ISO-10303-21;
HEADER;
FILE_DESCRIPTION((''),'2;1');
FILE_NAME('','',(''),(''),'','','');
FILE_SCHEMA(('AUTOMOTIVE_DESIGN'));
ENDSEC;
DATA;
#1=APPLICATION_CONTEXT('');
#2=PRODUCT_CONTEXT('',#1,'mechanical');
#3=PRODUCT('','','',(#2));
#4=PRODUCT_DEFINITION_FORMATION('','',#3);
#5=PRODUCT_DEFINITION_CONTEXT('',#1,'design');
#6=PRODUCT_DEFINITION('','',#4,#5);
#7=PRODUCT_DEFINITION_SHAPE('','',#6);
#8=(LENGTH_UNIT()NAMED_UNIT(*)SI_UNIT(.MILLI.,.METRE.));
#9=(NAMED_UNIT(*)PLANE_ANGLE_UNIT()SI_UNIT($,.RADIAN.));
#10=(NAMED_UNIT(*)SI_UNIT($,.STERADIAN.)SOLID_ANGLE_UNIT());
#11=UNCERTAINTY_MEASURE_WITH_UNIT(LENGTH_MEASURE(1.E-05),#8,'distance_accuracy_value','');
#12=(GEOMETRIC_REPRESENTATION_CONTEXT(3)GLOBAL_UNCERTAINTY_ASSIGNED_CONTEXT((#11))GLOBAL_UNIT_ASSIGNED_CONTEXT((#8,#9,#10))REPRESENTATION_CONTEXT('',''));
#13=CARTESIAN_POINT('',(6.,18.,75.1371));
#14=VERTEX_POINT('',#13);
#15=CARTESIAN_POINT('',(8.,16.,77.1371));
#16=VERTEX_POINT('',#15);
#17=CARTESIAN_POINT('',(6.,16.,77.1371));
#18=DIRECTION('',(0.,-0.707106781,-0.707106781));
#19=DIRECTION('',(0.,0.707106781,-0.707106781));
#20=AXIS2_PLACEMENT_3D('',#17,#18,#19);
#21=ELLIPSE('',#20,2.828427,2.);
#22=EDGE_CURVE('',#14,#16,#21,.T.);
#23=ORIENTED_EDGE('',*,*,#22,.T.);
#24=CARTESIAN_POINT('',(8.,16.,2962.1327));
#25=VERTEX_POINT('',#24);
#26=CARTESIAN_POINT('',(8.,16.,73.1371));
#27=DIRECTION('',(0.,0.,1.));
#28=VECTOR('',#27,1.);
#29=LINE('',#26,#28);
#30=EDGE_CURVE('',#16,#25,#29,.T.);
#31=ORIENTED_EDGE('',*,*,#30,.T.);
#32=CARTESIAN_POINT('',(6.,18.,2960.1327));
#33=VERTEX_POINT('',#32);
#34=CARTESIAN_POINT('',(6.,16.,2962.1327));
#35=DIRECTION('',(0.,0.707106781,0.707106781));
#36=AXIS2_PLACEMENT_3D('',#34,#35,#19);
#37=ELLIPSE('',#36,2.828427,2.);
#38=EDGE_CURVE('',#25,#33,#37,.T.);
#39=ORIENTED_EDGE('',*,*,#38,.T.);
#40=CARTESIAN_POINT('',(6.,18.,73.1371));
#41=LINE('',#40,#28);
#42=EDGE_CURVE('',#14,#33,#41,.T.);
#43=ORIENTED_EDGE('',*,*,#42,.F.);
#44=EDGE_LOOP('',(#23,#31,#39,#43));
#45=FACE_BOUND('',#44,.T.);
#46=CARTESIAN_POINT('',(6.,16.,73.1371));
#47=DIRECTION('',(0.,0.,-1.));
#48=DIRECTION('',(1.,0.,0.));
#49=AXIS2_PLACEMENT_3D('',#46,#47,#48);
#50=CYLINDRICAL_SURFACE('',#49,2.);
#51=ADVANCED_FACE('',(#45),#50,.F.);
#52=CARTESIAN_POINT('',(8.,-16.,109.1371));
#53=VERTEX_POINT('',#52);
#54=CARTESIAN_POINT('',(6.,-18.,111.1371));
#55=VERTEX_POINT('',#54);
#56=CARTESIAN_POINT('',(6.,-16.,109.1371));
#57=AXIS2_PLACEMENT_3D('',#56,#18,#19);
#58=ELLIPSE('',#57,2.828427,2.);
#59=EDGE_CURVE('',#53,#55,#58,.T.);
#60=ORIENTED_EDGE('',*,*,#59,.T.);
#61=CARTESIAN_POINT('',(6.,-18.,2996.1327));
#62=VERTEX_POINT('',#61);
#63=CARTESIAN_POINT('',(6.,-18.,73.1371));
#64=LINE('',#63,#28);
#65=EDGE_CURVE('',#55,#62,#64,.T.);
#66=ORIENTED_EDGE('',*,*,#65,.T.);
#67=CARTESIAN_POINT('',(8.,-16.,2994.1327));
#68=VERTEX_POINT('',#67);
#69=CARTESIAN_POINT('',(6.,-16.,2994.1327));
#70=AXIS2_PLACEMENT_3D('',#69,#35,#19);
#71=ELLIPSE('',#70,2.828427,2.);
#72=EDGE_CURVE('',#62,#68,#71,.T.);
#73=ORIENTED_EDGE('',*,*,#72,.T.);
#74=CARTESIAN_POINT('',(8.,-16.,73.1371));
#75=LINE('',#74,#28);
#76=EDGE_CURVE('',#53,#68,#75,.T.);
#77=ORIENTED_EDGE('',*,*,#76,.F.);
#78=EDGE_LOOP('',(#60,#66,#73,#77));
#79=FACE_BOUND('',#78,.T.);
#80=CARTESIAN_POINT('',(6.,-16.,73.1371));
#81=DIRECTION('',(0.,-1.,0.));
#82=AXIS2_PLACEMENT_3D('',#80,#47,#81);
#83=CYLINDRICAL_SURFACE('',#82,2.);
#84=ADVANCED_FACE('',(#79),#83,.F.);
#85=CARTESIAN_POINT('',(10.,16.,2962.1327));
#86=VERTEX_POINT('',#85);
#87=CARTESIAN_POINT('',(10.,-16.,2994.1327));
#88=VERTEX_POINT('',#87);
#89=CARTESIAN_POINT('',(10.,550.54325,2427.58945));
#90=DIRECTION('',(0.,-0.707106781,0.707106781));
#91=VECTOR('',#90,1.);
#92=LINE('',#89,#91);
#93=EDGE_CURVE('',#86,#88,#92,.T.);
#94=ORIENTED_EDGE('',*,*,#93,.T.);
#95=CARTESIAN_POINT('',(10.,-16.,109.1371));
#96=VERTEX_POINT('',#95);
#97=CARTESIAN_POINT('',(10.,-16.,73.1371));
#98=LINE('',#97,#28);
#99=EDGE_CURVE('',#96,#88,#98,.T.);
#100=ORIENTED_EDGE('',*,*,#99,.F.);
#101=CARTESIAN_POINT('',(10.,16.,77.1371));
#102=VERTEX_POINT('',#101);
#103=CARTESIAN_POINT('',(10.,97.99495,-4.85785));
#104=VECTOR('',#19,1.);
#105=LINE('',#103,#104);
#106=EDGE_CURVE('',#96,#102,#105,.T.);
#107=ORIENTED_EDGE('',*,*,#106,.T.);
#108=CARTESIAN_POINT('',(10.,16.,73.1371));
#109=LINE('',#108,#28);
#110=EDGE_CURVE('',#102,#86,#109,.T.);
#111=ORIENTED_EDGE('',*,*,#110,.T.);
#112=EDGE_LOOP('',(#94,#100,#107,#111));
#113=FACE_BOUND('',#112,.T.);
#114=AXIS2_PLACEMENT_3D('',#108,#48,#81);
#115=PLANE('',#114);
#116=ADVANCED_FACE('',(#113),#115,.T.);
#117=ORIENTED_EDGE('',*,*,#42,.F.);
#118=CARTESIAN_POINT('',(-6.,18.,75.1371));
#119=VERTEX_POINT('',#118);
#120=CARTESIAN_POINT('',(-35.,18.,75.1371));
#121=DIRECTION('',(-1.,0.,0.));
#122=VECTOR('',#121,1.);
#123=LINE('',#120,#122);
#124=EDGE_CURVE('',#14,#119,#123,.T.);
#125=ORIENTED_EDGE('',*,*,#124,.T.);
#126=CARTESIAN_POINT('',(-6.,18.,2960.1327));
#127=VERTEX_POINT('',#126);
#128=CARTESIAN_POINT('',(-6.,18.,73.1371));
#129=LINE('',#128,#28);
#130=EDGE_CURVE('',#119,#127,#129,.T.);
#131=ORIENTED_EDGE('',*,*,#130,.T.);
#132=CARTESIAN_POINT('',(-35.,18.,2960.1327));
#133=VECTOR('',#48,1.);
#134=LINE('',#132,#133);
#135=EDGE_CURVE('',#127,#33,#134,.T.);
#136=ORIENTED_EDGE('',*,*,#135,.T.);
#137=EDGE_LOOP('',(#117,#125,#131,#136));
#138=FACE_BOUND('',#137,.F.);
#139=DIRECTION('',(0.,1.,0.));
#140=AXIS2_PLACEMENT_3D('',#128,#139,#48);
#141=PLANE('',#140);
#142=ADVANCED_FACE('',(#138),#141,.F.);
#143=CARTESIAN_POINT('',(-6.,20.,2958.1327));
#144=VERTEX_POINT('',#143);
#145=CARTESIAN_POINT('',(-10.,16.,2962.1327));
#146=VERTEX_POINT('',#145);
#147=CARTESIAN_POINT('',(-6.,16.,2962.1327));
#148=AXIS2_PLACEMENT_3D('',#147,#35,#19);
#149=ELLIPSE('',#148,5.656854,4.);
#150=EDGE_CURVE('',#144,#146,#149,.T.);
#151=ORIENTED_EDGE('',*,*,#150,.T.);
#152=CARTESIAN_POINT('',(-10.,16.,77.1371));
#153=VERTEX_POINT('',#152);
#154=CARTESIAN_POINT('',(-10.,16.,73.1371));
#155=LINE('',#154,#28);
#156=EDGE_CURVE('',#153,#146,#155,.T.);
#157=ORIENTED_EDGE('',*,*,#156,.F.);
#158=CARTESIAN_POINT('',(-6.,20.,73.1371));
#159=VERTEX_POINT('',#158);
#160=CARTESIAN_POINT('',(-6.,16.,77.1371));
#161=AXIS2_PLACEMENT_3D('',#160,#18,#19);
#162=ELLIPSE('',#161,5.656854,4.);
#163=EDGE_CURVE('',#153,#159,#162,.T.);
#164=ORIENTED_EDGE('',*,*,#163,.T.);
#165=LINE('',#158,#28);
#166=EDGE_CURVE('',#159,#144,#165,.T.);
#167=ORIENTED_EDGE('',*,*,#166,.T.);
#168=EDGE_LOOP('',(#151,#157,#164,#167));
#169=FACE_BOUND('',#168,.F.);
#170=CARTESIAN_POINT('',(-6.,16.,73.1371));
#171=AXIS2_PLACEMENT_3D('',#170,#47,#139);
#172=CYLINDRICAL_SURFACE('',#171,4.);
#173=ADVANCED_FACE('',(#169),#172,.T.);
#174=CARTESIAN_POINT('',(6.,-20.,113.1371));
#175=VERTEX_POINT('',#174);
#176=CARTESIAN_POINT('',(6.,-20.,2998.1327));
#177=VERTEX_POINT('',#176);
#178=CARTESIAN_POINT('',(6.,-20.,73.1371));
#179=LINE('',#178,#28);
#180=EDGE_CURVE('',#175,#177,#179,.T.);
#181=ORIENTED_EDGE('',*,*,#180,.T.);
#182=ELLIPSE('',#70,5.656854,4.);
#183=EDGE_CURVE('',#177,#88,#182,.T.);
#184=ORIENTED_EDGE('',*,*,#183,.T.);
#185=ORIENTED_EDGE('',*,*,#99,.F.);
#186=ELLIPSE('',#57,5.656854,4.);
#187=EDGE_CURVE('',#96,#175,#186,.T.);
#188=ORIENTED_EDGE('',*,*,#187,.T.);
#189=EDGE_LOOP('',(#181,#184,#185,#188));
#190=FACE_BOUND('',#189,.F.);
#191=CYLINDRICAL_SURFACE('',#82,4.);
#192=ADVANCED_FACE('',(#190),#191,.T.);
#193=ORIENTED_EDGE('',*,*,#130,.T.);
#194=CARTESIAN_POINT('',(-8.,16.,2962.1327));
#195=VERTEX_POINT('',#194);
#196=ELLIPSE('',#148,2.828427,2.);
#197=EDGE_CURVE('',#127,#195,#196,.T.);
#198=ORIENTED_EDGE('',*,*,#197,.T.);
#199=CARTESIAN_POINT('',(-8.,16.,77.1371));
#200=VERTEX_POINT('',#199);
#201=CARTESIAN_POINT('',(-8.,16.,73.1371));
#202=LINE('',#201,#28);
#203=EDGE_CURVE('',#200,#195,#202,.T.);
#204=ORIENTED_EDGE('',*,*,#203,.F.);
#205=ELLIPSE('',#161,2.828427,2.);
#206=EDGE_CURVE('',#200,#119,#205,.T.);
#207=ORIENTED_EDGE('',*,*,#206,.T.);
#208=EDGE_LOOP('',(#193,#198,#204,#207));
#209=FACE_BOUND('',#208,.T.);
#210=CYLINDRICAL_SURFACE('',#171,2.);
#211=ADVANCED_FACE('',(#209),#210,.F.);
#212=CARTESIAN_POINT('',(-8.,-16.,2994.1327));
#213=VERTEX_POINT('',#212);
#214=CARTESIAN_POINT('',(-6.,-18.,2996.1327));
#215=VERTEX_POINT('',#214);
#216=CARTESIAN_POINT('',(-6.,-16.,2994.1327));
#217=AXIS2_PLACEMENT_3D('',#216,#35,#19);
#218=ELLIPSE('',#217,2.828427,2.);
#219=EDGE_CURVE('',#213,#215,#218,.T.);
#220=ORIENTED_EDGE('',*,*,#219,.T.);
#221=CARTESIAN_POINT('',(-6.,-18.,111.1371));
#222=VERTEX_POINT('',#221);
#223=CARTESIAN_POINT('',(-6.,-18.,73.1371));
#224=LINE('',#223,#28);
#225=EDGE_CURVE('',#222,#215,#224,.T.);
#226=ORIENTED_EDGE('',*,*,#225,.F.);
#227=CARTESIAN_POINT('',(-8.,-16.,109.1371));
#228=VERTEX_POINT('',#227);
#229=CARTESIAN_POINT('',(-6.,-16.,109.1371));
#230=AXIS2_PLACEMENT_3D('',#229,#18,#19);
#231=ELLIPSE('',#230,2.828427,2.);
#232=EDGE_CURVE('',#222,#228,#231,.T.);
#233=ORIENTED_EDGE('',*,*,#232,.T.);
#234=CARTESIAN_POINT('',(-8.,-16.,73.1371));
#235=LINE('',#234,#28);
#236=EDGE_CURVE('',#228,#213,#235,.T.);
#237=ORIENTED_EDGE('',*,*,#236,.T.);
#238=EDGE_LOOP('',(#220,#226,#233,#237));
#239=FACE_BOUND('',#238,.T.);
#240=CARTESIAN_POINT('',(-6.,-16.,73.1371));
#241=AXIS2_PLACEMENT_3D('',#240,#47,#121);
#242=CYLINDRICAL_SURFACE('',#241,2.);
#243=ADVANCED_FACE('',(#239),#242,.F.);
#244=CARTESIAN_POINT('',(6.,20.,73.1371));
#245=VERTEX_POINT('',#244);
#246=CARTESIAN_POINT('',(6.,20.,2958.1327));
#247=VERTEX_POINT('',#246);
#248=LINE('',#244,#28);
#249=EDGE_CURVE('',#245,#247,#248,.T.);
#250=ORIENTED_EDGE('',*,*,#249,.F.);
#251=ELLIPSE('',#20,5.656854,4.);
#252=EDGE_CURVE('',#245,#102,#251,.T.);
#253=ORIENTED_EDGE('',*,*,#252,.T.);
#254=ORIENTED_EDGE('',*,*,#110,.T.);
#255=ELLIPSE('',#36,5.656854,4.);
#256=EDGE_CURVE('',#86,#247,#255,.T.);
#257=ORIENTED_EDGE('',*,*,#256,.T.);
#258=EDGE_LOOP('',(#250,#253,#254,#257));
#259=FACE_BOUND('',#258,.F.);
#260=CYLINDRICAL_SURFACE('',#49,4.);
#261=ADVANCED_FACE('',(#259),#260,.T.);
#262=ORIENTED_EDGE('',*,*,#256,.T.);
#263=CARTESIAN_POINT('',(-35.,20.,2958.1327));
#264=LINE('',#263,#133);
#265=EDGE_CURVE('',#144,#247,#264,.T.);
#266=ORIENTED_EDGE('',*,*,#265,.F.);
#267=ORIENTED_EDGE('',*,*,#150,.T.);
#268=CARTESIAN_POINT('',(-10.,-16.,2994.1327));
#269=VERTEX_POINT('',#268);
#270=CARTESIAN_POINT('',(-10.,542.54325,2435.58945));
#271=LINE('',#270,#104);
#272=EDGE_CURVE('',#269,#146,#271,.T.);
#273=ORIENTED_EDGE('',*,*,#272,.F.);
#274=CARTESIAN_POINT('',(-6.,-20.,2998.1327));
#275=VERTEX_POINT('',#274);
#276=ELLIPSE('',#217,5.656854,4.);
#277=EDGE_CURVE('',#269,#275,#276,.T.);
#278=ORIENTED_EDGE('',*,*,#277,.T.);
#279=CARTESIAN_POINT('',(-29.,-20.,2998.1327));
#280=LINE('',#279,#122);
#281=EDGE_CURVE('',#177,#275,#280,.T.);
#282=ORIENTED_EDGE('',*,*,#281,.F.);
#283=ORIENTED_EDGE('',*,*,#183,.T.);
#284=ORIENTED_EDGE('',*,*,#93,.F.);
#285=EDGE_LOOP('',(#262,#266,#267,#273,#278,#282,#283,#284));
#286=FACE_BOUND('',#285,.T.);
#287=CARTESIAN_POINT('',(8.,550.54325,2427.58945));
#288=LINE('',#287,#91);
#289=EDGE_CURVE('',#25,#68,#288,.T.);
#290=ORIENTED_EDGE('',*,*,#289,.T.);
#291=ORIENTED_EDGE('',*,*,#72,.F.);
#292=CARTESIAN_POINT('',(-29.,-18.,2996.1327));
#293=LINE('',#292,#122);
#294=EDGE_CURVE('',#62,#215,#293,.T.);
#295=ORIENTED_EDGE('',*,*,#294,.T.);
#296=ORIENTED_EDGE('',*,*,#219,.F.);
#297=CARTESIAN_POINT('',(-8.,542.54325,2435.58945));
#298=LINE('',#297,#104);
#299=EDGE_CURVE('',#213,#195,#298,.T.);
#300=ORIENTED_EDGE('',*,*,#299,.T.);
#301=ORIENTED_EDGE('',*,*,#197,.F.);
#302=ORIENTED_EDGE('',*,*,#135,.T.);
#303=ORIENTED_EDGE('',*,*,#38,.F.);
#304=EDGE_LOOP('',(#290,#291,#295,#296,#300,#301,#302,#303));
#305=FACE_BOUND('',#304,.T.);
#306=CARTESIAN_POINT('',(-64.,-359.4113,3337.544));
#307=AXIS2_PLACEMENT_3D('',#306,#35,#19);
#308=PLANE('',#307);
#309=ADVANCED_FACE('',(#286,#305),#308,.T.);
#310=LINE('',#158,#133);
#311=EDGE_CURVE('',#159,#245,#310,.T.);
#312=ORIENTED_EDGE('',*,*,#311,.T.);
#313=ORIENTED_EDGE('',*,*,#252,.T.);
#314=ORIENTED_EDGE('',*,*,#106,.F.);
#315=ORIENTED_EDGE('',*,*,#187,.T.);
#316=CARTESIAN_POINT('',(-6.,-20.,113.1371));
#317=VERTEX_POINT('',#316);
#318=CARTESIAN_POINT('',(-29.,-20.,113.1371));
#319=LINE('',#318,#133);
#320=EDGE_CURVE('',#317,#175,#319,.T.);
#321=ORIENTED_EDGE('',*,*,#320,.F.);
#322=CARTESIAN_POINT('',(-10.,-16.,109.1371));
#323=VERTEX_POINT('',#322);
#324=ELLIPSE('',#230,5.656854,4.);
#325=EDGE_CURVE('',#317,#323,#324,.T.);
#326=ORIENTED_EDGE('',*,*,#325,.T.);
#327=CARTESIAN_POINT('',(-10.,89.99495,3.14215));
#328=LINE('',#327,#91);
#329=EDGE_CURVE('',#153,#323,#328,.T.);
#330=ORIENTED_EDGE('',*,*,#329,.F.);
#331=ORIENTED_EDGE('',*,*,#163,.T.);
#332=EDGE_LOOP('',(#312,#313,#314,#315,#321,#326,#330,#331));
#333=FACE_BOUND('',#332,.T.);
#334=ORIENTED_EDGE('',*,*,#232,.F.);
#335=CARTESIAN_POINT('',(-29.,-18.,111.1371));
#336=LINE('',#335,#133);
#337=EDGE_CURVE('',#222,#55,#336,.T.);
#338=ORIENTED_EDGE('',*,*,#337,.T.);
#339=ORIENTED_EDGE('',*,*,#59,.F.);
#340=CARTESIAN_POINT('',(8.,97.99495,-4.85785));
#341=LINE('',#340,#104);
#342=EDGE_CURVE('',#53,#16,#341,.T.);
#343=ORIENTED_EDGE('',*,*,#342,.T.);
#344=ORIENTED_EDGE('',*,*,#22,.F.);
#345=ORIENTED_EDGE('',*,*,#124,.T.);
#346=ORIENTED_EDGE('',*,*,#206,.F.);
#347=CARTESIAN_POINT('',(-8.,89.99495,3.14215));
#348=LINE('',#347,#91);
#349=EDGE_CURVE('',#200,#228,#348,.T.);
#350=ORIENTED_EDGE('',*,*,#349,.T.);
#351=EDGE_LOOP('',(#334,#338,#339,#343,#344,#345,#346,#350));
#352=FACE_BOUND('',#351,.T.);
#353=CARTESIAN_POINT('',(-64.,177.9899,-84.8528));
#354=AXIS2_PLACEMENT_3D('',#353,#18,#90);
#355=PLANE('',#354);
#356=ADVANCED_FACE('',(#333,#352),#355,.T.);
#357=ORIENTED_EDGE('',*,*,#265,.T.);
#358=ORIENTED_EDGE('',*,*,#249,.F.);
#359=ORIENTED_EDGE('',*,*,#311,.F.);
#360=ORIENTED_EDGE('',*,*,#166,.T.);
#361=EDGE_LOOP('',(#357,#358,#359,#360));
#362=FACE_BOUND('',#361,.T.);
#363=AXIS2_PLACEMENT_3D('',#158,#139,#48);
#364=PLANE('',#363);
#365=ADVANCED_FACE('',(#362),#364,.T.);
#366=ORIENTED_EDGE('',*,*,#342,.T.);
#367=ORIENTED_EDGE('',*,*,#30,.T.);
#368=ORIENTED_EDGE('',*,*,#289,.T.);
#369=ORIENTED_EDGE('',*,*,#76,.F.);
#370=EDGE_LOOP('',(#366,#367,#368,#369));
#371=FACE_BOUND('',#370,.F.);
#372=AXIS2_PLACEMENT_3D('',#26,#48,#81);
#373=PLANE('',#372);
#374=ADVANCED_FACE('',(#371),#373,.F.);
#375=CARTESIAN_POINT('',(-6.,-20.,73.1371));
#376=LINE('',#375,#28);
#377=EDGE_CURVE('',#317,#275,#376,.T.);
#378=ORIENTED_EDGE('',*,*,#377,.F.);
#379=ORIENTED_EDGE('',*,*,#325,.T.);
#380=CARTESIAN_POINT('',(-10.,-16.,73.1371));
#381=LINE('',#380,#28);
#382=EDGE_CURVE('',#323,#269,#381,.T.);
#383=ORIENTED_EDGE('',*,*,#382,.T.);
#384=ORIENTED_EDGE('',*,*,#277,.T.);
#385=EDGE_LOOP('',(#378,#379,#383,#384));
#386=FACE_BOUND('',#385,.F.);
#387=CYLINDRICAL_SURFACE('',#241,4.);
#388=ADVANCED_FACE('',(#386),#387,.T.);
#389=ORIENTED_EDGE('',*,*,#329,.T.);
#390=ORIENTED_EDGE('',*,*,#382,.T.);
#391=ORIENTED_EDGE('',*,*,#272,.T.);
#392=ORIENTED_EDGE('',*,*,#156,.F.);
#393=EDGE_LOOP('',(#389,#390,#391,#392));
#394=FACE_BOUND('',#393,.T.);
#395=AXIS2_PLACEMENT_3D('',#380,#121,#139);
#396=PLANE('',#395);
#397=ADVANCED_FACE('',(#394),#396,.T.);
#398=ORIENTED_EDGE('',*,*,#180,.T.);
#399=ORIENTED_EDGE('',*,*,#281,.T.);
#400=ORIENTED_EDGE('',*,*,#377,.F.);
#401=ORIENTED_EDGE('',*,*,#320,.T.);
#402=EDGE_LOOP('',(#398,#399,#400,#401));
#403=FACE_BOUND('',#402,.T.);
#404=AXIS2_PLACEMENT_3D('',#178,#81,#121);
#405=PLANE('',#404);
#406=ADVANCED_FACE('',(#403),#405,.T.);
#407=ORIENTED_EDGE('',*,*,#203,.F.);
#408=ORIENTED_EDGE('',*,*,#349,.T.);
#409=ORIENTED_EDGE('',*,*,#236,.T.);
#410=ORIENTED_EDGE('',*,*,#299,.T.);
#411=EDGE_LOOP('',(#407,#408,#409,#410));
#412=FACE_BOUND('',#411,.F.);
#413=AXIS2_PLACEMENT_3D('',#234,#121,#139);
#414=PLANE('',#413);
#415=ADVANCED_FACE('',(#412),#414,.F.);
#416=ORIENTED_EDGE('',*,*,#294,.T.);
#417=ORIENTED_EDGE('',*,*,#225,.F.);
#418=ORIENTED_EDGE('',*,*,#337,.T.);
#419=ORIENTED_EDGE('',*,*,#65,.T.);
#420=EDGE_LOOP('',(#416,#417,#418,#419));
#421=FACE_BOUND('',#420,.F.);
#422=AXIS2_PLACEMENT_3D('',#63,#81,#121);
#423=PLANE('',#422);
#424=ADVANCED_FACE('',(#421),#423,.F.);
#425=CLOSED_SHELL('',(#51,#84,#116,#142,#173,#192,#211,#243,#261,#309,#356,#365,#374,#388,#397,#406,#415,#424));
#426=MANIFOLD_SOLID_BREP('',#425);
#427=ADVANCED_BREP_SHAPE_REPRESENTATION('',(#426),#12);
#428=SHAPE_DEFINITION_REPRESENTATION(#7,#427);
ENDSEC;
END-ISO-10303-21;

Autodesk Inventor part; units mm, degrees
ref_plane "Start Plane" through (0, 0, 73.1371) normal (0, 0, 1) x (1, 0, 0)
ref_plane "End Plane" through (0, 0, 2998.1328) normal (0, 0, 1) x (1, 0, 0)
sketch "Sketch" plane through (0, 0, 0) normal (0, 0, 1) x (1, 0, 0)
  line L0 (-10, -16) -> (-10, 16)
  line L1 (-6, 20) -> (6, 20)
  line L2 (10, 16) -> (10, -16)
  line L3 (6, -20) -> (-6, -20)
  arc A0 (-10, -16) -> (-6, -20) centre (-6, -16) ccw
  arc A1 (10, 16) -> (6, 20) centre (6, 16) ccw
  arc A2 (-6, 20) -> (-10, 16) centre (-6, 16) ccw
  arc A3 (6, -20) -> (10, -16) centre (6, -16) ccw
  arc A4 (-6, 18) -> (-8, 16) centre (-6, 16) ccw
  line L4 (-6, 18) -> (6, 18)
  arc A5 (8, 16) -> (6, 18) centre (6, 16) ccw
  line L5 (8, 16) -> (8, -16)
  arc A6 (6, -18) -> (8, -16) centre (6, -16) ccw
  line L6 (6, -18) -> (-6, -18)
  arc A7 (-8, -16) -> (-6, -18) centre (-6, -16) ccw
  line L7 (-8, -16) -> (-8, 16)
  line L8 (0, 29.1598) -> (0, -29.1598) construction
  line L9 (-15.1598, 0) -> (15.1598, 0) construction
  dimension "d7" = 4
  dimension "d9" = 20
  dimension "d11" = 40
  dimension "d12" = 2
  dimension "d15" = 10
  dimension "d16" = 20
extrude "Body" add sketch "Sketch" along normal up to surface (2924.9957 mm away) from surface at 73.1371
sketch "Sketch3" plane through (0, 0, 0) normal (0, 0, 1) x (1, 0, 0)
  line L0 (0, 0) -> (10, 0)
ref_plane "Work Plane3" through (0, 0, 0) normal (0, -1, 0) x (1, 0, 0)
ref_plane "Work Plane4" through (-64, -359.4113, 3337.544) normal (0, 0.7071, 0.7071) x (1, 0, 0)
split "Split1" plane through (-64, -359.4113, 3337.544) removes the side toward (0, 0.7071, 0.7071)
ref_plane "Work Plane5" through (-64, 177.9899, -84.8528) normal (0, -0.7071, -0.7071) x (1, 0, 0)
split "Split2" plane through (-64, 177.9899, -84.8528) removes the side toward (0, -0.7071, -0.7071)
sketch "Sketch4" plane through (0, 0, 0) normal (0, -1, 0) x (1, 0, 0)
  line L0 (-2, 73.1371) -> (12, 73.1371) projected
  line L1 (-2, 2998.1328) -> (12, 2998.1328) projected
  dimension "d18" = 2924.9957
equation "\"d7\" = G_IR"
equation "\"d9\" = G_W"
equation "\"d11\" = G_H"
equation "\"d12\" = G_T"
equation "\"d15\" = 0.5 * d9"
equation "\"d16\" = 0.5 * d11"
equation "\"d3\" = G_L"
equation "\"G_W\" = 20"
equation "\"G_H\" = 40"
equation "\"G_T\" = 2"
equation "\"G_IR\" = 4"
equation "\"G_L\" = d18"
equation "\"G_OFFSET_START\" = -73.13708"
equation "\"G_OFFSET_END\" = -113.13708"
equation "\"d13\" = -G_OFFSET_START"
equation "\"d14\" = G_OFFSET_END + B_L"
equation "\"B_L\" = 3111.26984"
properties part number "ISO 10799-2 - 40x20x2 - 2925" material "Steel, Mild"
